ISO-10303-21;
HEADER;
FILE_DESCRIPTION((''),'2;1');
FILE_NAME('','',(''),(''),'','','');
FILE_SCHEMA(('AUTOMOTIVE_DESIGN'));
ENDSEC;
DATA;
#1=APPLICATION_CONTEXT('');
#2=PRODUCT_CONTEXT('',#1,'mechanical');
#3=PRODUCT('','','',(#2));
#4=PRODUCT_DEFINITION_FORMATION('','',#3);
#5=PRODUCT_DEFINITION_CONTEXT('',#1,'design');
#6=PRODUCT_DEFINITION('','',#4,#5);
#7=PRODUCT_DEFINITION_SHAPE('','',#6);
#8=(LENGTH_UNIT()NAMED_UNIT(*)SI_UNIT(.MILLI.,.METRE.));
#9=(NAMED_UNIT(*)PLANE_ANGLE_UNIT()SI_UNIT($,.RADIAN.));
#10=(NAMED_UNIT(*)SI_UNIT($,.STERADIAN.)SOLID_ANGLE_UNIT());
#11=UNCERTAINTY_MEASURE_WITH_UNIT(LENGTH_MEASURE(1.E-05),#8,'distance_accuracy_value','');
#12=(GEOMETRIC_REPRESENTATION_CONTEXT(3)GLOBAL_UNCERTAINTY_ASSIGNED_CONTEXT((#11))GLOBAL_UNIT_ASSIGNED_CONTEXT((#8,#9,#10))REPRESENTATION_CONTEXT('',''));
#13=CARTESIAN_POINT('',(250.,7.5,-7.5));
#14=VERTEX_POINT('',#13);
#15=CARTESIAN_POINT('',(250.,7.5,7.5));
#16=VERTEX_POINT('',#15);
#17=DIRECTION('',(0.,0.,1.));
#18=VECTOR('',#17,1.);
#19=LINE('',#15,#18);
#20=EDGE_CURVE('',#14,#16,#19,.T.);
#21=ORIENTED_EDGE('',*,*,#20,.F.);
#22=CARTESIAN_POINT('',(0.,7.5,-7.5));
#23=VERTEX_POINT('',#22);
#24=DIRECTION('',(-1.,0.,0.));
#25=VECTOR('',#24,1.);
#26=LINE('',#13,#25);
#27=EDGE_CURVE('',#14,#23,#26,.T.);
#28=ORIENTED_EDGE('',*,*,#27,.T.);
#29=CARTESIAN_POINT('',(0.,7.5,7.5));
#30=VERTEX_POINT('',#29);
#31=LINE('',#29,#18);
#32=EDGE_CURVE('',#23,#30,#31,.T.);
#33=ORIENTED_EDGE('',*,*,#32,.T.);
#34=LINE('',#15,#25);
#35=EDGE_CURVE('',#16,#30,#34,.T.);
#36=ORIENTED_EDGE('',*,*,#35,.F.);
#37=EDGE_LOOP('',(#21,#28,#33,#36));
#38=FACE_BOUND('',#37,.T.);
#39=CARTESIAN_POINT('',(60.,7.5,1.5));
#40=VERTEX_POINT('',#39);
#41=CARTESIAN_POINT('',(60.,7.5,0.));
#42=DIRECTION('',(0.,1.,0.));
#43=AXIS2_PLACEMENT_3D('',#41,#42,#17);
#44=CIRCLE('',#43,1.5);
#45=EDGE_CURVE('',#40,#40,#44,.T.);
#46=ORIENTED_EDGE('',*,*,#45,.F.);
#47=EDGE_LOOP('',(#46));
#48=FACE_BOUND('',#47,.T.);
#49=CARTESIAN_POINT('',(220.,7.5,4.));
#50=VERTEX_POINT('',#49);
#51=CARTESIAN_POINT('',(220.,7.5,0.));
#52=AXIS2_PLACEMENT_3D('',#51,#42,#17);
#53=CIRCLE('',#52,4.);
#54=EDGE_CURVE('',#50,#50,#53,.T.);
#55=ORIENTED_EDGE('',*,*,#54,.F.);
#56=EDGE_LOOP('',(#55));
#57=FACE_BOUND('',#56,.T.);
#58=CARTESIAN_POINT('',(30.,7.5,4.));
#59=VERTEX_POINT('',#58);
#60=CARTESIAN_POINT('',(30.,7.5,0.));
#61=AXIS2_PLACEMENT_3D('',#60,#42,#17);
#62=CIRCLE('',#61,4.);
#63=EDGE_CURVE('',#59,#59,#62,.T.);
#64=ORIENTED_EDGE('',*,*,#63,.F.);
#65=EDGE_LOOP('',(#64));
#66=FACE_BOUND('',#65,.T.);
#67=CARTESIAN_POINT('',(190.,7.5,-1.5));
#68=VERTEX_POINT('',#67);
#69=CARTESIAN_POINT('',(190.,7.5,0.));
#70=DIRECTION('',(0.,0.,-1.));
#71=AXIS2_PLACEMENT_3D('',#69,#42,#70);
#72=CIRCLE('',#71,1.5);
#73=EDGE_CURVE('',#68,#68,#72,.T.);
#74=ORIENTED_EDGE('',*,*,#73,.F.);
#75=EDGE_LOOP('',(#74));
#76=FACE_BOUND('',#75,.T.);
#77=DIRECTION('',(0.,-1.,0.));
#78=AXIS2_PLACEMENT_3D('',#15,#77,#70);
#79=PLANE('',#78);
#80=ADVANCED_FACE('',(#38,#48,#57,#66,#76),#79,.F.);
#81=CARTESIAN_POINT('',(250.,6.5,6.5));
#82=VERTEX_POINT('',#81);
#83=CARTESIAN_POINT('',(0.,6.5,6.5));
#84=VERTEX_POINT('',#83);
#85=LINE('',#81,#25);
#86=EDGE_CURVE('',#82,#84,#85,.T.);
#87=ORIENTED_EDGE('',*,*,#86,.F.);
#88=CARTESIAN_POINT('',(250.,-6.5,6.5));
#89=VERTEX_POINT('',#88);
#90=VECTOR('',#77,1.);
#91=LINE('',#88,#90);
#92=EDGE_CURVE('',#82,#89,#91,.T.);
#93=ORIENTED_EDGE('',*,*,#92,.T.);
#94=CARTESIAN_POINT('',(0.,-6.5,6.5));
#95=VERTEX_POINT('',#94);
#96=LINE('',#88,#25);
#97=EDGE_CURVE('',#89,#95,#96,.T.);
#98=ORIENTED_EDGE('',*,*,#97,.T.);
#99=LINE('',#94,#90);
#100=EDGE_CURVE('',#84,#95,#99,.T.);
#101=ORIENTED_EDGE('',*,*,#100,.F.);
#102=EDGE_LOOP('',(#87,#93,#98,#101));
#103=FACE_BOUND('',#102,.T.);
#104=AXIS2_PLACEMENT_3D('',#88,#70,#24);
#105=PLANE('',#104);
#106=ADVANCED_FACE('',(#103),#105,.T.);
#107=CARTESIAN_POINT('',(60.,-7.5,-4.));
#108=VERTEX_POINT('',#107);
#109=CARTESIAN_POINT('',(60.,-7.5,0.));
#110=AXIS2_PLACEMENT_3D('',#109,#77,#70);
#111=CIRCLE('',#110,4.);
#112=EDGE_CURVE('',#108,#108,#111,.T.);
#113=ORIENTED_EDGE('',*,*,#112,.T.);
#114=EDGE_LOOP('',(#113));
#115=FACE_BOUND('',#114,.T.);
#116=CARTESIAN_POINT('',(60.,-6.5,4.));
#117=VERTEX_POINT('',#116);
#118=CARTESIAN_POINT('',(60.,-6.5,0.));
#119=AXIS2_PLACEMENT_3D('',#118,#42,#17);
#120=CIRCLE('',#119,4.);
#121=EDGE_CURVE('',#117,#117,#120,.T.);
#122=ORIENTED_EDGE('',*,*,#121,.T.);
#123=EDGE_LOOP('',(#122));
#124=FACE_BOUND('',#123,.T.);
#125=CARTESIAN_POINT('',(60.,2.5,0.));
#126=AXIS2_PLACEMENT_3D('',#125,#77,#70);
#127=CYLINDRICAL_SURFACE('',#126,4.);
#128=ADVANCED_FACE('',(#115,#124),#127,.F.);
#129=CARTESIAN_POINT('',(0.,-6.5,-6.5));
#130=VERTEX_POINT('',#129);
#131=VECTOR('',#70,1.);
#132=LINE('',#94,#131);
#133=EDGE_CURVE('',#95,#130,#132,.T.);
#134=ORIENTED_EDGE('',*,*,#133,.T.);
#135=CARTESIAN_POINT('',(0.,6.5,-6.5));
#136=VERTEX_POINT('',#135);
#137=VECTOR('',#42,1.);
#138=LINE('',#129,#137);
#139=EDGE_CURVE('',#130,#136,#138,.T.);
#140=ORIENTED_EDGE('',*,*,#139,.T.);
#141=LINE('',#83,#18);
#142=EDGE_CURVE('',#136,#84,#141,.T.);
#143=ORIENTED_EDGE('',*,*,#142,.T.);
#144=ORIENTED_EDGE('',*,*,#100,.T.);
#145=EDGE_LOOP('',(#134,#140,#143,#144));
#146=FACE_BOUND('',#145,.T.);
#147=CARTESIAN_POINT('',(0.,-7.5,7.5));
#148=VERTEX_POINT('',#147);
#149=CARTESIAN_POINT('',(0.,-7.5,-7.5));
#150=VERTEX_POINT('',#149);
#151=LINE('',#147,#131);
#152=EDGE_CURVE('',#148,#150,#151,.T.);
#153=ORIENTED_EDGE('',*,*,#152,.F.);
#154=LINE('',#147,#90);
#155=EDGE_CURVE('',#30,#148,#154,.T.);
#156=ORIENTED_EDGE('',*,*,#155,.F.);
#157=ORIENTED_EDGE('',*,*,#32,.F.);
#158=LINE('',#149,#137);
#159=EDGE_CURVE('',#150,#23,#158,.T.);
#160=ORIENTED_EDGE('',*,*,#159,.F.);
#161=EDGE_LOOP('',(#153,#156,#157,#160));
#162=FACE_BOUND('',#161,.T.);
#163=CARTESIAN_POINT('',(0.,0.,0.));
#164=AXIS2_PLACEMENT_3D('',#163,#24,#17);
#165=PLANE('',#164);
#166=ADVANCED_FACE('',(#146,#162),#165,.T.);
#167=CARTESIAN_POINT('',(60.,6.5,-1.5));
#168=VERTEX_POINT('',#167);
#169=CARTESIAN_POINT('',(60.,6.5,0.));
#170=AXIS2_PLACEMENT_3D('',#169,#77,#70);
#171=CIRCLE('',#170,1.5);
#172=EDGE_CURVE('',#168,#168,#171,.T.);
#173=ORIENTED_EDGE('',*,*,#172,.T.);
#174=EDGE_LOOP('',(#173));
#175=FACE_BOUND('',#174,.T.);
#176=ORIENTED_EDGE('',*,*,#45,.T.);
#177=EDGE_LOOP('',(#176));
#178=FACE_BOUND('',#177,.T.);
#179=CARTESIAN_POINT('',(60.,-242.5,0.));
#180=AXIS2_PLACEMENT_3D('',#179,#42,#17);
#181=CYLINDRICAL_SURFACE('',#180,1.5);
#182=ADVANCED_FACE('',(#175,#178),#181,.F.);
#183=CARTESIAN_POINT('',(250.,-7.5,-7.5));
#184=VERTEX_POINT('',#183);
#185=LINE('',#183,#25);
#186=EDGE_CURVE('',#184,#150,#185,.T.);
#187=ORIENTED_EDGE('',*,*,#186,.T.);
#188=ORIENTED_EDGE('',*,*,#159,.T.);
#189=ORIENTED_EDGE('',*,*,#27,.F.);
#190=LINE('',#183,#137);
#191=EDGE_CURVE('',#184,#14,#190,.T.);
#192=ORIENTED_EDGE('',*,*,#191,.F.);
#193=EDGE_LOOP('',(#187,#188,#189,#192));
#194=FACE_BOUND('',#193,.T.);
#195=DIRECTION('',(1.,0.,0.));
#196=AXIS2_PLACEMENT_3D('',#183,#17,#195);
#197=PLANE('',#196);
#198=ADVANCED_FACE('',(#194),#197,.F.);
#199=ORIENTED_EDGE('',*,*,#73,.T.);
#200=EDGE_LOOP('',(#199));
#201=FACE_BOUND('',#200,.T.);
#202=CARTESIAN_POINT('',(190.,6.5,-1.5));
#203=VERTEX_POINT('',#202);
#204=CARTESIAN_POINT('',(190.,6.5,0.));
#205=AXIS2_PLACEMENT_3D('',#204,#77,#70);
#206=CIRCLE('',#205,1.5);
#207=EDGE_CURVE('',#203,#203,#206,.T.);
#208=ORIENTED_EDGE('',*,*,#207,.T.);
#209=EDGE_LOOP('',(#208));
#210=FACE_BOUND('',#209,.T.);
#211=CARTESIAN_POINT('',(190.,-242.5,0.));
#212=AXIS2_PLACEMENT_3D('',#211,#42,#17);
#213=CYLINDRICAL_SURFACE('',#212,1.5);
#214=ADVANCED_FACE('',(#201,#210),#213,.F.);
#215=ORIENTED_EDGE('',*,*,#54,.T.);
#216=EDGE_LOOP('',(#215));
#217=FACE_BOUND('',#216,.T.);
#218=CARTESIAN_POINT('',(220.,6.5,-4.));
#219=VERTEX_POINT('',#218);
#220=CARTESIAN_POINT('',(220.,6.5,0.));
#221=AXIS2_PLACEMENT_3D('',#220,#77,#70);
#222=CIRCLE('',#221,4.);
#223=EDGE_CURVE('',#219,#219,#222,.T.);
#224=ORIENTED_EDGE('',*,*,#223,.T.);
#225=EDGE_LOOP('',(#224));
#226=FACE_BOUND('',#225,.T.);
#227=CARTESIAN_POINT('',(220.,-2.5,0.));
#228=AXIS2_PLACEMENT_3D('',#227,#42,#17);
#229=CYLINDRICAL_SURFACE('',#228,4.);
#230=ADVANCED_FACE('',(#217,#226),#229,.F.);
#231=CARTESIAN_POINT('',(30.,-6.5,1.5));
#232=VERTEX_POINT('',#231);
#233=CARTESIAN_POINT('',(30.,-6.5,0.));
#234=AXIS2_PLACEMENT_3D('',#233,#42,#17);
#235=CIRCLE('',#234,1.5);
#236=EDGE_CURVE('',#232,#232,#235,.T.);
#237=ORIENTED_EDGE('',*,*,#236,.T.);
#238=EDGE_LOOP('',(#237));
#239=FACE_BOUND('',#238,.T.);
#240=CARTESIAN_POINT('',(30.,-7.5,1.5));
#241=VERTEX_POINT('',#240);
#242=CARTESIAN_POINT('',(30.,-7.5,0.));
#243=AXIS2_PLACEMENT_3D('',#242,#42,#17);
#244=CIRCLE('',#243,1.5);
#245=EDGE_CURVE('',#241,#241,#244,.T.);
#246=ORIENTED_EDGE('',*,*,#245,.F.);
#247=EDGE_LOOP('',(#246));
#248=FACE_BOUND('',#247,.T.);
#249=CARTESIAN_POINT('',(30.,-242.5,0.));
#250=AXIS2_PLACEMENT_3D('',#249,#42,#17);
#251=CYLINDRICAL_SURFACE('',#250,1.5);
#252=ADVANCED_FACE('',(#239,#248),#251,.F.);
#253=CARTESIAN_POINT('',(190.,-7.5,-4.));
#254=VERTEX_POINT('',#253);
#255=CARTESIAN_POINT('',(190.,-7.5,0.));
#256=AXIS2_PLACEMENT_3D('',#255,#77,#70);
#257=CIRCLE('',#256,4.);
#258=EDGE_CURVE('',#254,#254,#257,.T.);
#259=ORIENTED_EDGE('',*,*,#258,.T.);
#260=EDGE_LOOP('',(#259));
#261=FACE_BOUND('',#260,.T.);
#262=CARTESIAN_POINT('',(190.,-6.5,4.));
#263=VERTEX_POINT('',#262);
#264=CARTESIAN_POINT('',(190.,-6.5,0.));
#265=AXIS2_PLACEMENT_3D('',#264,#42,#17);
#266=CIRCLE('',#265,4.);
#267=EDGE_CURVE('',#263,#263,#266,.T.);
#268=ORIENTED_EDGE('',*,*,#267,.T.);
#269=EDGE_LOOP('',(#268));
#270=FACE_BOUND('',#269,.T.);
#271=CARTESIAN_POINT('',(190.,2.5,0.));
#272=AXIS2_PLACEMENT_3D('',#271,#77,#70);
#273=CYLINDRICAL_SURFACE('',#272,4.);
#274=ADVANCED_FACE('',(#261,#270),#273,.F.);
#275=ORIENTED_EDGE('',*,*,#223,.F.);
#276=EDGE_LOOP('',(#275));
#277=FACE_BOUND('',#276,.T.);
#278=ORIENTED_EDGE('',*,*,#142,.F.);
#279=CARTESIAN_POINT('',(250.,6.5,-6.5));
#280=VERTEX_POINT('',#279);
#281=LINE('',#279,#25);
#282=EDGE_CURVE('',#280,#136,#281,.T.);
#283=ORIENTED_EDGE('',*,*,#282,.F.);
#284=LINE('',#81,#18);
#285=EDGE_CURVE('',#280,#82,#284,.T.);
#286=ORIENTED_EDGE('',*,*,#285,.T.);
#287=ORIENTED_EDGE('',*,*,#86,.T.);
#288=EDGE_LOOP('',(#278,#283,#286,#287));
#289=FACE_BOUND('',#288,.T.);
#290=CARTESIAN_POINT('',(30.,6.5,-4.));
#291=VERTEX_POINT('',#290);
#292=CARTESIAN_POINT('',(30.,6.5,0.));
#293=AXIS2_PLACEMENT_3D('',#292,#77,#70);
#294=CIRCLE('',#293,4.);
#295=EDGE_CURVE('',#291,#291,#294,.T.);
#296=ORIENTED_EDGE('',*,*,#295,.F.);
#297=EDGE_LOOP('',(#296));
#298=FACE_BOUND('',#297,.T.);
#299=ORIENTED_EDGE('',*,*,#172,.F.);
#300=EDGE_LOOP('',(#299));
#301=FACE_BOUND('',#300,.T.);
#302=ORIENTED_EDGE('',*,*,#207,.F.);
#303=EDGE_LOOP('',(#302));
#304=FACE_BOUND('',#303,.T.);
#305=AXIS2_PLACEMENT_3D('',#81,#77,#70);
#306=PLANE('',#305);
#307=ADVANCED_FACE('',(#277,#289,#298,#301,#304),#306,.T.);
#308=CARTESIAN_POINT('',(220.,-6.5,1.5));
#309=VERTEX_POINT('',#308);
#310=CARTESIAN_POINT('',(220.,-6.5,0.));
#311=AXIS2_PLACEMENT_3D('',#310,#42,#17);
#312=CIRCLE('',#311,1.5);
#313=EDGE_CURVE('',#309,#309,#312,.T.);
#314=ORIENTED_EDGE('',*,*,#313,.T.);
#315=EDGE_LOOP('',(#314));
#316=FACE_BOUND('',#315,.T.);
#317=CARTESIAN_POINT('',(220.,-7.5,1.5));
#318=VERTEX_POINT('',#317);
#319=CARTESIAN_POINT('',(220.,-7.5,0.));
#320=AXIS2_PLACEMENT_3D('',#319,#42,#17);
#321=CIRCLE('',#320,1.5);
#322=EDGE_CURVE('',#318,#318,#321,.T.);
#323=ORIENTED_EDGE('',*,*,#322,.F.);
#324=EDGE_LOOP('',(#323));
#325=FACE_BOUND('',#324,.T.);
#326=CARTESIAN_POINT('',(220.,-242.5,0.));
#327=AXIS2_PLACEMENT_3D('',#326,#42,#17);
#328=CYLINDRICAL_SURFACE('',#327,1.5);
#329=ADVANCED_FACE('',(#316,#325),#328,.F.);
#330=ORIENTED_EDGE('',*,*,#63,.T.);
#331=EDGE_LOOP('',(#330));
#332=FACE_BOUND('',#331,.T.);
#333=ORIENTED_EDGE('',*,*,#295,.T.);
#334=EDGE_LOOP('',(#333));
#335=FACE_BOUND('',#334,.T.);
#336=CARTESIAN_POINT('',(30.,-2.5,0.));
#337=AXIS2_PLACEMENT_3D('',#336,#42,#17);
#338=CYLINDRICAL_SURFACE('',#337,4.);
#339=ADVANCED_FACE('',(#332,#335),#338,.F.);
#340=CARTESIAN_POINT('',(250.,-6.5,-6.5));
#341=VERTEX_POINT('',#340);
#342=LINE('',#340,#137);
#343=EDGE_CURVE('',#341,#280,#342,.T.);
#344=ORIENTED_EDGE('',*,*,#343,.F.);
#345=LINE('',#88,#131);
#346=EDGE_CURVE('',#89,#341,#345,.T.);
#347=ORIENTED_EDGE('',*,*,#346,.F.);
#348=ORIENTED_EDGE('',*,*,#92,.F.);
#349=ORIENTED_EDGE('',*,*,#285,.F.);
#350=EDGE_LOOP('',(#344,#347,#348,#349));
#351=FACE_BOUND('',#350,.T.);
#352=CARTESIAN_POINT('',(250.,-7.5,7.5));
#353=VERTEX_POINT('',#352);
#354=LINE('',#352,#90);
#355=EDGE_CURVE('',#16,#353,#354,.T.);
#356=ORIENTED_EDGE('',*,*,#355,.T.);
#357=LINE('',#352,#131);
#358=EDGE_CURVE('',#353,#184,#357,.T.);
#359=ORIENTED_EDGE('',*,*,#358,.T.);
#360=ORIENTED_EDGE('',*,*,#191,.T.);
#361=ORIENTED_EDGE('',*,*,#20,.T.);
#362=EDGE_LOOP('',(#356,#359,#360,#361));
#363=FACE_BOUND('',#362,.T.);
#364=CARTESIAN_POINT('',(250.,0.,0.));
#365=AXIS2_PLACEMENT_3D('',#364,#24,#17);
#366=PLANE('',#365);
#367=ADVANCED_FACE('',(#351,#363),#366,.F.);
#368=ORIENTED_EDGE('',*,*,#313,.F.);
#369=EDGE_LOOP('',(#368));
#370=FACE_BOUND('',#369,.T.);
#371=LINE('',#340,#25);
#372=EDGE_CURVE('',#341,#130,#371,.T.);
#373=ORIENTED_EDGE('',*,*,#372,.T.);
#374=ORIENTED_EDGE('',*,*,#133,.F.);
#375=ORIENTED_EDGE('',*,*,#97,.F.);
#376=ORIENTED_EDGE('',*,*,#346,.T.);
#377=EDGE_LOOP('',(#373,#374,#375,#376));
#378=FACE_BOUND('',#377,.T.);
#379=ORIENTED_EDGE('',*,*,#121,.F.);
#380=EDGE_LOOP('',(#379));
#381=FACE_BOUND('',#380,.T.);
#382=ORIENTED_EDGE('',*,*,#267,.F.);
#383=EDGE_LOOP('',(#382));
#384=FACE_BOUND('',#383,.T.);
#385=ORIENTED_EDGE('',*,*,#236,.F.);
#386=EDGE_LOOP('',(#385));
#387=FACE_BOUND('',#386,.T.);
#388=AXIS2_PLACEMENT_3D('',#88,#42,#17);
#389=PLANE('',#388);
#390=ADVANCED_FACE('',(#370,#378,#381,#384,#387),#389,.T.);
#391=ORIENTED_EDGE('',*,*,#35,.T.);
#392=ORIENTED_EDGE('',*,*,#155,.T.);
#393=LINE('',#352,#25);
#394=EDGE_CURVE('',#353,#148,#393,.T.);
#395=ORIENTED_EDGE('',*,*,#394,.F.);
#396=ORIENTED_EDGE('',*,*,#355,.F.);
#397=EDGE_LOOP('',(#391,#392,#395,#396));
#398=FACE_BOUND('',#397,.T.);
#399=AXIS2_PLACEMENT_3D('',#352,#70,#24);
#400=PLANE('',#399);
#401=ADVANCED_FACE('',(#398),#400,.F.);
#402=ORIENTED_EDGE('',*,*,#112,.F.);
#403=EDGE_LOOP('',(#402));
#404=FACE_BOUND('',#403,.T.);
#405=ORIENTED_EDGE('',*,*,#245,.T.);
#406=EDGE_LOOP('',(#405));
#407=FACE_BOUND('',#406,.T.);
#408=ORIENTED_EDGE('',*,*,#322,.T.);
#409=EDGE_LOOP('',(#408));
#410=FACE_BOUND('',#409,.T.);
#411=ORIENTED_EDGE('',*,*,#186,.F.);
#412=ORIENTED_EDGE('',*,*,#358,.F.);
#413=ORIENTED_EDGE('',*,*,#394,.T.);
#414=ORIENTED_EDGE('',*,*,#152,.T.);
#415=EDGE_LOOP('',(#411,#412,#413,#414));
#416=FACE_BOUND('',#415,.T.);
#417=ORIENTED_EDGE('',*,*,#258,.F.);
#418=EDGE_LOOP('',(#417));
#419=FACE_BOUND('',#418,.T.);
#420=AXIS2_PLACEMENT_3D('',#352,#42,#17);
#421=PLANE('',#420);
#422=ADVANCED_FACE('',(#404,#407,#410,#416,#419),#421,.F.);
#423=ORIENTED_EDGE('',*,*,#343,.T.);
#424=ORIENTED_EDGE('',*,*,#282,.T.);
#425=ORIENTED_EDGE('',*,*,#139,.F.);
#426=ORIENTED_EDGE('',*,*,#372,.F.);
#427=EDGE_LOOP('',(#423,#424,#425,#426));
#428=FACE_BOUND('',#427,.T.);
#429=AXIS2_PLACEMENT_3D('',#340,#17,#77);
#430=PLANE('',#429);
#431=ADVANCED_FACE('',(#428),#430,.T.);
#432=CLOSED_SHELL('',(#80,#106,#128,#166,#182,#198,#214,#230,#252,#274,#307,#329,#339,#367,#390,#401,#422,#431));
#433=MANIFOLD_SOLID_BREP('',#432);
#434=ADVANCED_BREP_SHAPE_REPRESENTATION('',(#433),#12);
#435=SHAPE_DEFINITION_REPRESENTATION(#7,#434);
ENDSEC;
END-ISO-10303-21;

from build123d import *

# Parameters (mm, degrees)
SKETCH_1_W          = 15
SKETCH_1_H          = 15
SKETCH_1_W_2        = 13
SKETCH_1_H_2        = 13
EXTRUDE_1_DEPTH     = 250
SKETCH_2_R          = 1.5
CUT_EXTRUDE_1_DEPTH = 250
SKETCH_3_R          = 4
CUT_EXTRUDE_2_DEPTH = 10
SKETCH_4_R          = 4
CUT_EXTRUDE_3_DEPTH = 10


with BuildPart() as part:
    # 草图1 → 凸台-拉伸1 (new body)
    with BuildSketch(Plane(origin=(0, 0, 0), x_dir=(0, 0, -1), z_dir=(1, 0, 0))):
        Rectangle(SKETCH_1_W, SKETCH_1_H)
        Rectangle(SKETCH_1_W_2, SKETCH_1_H_2, mode=Mode.SUBTRACT)
    extrude(amount=EXTRUDE_1_DEPTH)

    # 草图2 → 切除-拉伸1 (cut)
    with BuildSketch(Plane(origin=(0, 7.5, 0), x_dir=(1, 0, 0), z_dir=(0, 1, 0))):
        with Locations(Location((30, 0, 0), (0, 0, 270))):
            Circle(SKETCH_2_R)
        with Locations(Location((60, 0, 0), (0, 0, 270))):
            Circle(SKETCH_2_R)
        with Locations(Location((190, 0, 0), (0, 0, 90))):
            Circle(SKETCH_2_R)
        with Locations(Location((220, 0, 0), (0, 0, 90))):
            Circle(SKETCH_2_R)
    extrude(amount=-CUT_EXTRUDE_1_DEPTH, mode=Mode.SUBTRACT)

    # 草图3 → 切除-拉伸2 (cut)
    with BuildSketch(Plane(origin=(0, 7.5, 0), x_dir=(1, 0, 0), z_dir=(0, 1, 0))):
        with Locations(Location((30, 0, 0), (0, 0, 270))):
            Circle(SKETCH_3_R)
        with Locations(Location((220, 0, 0), (0, 0, 270))):
            Circle(SKETCH_3_R)
    extrude(amount=-CUT_EXTRUDE_2_DEPTH, mode=Mode.SUBTRACT)

    # 草图4 → 切除-拉伸3 (cut)
    with BuildSketch(Plane.XZ.offset(7.5)):
        with Locations(Location((60, 0, 0), (0, 0, 270))):
            Circle(SKETCH_4_R)
        with Locations(Location((190, 0, 0), (0, 0, 270))):
            Circle(SKETCH_4_R)
    extrude(amount=-CUT_EXTRUDE_3_DEPTH, mode=Mode.SUBTRACT)


solid = part.part
